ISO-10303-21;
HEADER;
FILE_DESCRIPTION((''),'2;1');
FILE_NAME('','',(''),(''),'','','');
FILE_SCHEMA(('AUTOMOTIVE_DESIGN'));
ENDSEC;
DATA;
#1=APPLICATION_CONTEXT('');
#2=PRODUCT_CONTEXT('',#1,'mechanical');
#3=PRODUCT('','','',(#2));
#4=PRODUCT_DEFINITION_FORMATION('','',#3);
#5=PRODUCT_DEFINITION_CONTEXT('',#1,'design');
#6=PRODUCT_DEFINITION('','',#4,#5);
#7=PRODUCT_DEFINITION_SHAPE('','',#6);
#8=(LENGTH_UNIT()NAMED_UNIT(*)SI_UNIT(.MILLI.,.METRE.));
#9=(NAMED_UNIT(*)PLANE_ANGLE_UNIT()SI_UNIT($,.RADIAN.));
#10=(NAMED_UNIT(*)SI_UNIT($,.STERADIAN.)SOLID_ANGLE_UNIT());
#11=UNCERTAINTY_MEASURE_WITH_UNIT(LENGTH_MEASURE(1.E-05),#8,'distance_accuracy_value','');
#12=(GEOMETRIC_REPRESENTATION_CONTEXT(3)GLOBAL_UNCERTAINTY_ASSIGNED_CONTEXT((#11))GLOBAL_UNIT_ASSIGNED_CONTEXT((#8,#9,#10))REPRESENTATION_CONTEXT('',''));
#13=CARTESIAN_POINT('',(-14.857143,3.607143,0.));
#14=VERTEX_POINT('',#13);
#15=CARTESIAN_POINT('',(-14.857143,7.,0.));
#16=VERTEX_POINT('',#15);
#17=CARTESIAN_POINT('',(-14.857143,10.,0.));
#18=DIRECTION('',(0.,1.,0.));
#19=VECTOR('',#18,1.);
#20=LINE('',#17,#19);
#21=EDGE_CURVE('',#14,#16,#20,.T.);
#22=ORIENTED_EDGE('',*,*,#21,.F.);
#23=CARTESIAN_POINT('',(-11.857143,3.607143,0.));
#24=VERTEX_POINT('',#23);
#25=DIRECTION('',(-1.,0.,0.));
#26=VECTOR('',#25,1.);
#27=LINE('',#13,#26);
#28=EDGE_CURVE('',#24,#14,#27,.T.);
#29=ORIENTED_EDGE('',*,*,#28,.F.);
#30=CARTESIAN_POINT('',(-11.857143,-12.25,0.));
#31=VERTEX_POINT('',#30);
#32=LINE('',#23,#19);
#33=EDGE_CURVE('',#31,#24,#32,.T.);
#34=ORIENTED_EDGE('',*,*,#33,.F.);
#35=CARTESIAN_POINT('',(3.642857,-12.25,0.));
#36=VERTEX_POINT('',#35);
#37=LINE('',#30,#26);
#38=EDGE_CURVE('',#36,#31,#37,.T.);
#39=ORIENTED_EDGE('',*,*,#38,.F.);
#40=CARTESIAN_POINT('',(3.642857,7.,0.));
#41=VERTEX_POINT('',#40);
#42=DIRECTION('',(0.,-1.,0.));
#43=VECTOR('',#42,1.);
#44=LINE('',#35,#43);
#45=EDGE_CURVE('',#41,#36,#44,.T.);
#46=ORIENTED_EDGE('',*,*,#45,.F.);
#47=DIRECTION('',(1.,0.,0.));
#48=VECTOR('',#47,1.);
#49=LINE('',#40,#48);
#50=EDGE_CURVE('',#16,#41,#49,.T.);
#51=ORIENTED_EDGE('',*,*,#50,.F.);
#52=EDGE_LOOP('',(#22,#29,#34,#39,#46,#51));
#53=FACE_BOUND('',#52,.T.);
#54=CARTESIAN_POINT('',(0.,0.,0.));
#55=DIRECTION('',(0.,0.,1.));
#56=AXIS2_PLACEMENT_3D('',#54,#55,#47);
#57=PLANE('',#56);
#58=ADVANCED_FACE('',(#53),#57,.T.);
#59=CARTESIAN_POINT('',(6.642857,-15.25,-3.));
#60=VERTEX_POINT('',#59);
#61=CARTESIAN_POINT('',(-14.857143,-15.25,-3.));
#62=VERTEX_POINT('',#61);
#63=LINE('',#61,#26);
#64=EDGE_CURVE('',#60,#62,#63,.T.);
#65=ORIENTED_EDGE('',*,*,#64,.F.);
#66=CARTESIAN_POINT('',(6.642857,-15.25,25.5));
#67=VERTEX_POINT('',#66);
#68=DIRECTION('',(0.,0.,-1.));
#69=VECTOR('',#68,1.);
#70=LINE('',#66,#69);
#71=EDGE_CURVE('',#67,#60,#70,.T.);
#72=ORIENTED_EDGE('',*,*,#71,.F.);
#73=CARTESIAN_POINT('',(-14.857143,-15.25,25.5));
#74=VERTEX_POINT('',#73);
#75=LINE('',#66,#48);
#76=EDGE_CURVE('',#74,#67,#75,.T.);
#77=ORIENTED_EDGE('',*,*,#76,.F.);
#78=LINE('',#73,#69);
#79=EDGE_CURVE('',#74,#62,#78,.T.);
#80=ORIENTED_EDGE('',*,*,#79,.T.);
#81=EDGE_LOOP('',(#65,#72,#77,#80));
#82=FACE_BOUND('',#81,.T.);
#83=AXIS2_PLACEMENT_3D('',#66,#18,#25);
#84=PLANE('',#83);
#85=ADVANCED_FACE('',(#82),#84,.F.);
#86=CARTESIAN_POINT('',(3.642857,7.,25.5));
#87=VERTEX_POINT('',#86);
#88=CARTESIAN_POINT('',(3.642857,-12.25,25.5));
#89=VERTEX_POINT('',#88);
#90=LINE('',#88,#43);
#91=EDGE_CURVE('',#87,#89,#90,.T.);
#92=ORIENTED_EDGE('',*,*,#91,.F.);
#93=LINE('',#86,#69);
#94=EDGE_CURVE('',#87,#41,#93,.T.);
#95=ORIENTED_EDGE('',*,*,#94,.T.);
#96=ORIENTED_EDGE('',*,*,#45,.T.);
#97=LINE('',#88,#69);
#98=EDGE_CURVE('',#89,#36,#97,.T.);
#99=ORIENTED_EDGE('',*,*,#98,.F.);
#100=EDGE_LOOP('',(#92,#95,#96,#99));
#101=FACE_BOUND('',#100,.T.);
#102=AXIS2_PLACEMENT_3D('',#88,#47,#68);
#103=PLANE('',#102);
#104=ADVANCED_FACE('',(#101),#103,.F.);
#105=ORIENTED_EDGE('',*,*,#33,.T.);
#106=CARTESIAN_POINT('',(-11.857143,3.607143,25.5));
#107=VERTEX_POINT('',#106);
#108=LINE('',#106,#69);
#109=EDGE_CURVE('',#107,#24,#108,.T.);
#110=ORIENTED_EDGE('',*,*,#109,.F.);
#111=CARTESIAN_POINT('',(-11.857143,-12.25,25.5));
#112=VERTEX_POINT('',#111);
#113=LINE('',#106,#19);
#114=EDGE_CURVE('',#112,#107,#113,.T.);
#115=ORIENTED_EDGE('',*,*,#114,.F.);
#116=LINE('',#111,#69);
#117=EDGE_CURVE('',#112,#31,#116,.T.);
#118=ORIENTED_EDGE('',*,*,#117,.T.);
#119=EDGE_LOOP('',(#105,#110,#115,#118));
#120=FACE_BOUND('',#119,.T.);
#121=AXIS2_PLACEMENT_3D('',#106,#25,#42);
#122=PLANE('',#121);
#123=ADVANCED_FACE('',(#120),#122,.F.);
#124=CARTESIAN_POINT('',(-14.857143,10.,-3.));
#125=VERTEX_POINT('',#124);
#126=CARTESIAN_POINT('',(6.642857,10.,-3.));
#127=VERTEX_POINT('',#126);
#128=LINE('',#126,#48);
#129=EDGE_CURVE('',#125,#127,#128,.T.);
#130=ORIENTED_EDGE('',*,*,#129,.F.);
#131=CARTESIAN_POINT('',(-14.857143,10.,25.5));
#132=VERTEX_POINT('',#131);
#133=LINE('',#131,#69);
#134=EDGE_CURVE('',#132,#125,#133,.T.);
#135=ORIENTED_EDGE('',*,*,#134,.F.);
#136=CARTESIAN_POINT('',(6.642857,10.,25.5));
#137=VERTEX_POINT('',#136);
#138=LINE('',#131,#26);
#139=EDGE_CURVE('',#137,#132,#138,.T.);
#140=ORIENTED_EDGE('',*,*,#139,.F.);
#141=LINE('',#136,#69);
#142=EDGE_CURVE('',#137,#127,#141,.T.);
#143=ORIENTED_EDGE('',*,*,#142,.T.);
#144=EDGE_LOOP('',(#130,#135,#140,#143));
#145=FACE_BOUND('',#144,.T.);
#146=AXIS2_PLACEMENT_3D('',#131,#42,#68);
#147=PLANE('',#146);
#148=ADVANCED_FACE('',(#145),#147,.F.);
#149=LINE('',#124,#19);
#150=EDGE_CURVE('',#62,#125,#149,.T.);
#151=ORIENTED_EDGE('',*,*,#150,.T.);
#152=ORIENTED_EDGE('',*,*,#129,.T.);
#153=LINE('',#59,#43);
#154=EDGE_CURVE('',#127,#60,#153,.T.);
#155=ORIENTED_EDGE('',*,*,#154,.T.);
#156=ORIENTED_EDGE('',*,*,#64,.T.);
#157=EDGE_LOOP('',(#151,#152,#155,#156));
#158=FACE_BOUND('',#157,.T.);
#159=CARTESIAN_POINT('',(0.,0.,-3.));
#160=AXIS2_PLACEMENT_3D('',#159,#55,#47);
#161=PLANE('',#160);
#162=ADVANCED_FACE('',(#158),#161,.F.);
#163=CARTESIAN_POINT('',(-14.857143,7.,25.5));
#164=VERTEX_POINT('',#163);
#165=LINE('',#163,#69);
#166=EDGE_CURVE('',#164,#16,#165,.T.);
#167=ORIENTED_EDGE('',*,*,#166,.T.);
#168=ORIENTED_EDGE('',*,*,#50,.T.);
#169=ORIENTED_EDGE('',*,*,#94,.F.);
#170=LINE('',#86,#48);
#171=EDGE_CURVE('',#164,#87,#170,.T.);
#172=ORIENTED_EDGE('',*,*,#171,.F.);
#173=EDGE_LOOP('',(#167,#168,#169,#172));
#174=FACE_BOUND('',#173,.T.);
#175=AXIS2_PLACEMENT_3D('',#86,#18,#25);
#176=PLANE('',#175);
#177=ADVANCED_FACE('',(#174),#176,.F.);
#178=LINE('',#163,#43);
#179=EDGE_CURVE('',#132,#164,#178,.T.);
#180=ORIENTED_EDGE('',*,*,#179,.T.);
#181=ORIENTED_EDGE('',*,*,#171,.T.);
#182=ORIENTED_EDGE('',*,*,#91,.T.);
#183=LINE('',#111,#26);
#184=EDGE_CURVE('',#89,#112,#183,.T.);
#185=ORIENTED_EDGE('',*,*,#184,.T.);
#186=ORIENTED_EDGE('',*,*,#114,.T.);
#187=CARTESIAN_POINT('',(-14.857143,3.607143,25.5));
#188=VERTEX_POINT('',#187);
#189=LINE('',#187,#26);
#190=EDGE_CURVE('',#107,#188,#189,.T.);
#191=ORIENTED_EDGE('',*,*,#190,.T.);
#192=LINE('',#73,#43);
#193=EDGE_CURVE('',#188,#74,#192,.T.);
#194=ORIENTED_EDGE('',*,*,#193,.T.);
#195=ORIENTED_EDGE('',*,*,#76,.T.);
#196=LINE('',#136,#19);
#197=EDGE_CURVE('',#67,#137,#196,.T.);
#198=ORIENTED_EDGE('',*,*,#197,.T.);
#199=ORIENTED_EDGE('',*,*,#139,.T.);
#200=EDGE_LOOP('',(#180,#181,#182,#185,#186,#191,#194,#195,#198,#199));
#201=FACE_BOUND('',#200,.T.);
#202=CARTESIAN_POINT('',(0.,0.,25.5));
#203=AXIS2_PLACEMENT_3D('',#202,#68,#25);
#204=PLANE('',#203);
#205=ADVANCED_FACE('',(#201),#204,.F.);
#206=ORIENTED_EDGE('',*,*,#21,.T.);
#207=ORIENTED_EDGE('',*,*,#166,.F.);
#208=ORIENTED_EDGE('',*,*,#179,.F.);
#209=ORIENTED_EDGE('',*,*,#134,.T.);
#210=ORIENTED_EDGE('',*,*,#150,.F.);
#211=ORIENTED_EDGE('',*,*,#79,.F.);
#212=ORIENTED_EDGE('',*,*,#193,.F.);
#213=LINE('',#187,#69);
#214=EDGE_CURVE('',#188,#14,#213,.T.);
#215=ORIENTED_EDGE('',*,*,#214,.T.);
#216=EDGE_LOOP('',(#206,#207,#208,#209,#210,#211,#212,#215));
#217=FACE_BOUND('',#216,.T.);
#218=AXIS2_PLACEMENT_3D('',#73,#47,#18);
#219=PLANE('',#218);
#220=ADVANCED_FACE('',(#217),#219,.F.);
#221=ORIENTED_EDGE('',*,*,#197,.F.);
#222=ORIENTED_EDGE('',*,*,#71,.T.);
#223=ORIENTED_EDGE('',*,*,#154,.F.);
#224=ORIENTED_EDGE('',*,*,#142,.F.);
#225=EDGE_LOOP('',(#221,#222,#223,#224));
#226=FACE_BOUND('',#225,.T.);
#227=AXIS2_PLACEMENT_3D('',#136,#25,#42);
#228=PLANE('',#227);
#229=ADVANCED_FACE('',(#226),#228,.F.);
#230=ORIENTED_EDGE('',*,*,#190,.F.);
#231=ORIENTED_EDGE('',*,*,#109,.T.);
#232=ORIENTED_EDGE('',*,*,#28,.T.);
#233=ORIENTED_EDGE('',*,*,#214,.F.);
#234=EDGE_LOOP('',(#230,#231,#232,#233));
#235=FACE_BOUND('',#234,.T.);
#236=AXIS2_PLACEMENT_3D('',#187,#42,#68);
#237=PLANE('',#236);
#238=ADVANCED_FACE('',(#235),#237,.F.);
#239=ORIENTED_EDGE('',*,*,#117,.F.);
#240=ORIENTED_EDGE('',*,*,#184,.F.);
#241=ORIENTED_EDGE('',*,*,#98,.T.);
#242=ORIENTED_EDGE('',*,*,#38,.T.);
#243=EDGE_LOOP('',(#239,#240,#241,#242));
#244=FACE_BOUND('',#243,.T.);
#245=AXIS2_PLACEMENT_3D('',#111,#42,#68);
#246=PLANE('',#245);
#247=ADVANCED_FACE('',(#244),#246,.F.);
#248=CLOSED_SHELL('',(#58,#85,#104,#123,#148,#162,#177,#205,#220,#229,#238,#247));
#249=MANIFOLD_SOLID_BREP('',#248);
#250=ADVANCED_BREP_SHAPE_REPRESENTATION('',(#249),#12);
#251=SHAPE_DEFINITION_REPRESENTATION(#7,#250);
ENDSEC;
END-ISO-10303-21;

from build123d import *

# Parameters (mm, degrees)
BOSS_EXTRUDE1_DEPTH = 25.5
SKETCH2_W           = 21.5
SKETCH2_H           = 25.25
BOSS_EXTRUDE2_DEPTH = 3


with BuildPart() as part:
    # Sketch1 → Boss-Extrude1 (new body)
    with BuildSketch(Plane.XY):
        Polygon((-14.857142857, 10), (6.642857143, 10), (6.642857143, -15.25), (-14.857142857, -15.25), (-14.857142857, 3.607142857), (-11.857142857, 3.607142857), (-11.857142857, -12.25), (3.642857143, -12.25), (3.642857143, 7), (-14.857142857, 7), align=None)
    extrude(amount=BOSS_EXTRUDE1_DEPTH)

    # Sketch2 → Boss-Extrude2 (add)
    with BuildSketch(Plane(origin=(0, 0, 0), x_dir=(-1, 0, 0), z_dir=(0, 0, -1))):
        with Locations((4.107142857, -2.625)):
            Rectangle(SKETCH2_W, SKETCH2_H)
    extrude(amount=BOSS_EXTRUDE2_DEPTH)


solid = part.part
